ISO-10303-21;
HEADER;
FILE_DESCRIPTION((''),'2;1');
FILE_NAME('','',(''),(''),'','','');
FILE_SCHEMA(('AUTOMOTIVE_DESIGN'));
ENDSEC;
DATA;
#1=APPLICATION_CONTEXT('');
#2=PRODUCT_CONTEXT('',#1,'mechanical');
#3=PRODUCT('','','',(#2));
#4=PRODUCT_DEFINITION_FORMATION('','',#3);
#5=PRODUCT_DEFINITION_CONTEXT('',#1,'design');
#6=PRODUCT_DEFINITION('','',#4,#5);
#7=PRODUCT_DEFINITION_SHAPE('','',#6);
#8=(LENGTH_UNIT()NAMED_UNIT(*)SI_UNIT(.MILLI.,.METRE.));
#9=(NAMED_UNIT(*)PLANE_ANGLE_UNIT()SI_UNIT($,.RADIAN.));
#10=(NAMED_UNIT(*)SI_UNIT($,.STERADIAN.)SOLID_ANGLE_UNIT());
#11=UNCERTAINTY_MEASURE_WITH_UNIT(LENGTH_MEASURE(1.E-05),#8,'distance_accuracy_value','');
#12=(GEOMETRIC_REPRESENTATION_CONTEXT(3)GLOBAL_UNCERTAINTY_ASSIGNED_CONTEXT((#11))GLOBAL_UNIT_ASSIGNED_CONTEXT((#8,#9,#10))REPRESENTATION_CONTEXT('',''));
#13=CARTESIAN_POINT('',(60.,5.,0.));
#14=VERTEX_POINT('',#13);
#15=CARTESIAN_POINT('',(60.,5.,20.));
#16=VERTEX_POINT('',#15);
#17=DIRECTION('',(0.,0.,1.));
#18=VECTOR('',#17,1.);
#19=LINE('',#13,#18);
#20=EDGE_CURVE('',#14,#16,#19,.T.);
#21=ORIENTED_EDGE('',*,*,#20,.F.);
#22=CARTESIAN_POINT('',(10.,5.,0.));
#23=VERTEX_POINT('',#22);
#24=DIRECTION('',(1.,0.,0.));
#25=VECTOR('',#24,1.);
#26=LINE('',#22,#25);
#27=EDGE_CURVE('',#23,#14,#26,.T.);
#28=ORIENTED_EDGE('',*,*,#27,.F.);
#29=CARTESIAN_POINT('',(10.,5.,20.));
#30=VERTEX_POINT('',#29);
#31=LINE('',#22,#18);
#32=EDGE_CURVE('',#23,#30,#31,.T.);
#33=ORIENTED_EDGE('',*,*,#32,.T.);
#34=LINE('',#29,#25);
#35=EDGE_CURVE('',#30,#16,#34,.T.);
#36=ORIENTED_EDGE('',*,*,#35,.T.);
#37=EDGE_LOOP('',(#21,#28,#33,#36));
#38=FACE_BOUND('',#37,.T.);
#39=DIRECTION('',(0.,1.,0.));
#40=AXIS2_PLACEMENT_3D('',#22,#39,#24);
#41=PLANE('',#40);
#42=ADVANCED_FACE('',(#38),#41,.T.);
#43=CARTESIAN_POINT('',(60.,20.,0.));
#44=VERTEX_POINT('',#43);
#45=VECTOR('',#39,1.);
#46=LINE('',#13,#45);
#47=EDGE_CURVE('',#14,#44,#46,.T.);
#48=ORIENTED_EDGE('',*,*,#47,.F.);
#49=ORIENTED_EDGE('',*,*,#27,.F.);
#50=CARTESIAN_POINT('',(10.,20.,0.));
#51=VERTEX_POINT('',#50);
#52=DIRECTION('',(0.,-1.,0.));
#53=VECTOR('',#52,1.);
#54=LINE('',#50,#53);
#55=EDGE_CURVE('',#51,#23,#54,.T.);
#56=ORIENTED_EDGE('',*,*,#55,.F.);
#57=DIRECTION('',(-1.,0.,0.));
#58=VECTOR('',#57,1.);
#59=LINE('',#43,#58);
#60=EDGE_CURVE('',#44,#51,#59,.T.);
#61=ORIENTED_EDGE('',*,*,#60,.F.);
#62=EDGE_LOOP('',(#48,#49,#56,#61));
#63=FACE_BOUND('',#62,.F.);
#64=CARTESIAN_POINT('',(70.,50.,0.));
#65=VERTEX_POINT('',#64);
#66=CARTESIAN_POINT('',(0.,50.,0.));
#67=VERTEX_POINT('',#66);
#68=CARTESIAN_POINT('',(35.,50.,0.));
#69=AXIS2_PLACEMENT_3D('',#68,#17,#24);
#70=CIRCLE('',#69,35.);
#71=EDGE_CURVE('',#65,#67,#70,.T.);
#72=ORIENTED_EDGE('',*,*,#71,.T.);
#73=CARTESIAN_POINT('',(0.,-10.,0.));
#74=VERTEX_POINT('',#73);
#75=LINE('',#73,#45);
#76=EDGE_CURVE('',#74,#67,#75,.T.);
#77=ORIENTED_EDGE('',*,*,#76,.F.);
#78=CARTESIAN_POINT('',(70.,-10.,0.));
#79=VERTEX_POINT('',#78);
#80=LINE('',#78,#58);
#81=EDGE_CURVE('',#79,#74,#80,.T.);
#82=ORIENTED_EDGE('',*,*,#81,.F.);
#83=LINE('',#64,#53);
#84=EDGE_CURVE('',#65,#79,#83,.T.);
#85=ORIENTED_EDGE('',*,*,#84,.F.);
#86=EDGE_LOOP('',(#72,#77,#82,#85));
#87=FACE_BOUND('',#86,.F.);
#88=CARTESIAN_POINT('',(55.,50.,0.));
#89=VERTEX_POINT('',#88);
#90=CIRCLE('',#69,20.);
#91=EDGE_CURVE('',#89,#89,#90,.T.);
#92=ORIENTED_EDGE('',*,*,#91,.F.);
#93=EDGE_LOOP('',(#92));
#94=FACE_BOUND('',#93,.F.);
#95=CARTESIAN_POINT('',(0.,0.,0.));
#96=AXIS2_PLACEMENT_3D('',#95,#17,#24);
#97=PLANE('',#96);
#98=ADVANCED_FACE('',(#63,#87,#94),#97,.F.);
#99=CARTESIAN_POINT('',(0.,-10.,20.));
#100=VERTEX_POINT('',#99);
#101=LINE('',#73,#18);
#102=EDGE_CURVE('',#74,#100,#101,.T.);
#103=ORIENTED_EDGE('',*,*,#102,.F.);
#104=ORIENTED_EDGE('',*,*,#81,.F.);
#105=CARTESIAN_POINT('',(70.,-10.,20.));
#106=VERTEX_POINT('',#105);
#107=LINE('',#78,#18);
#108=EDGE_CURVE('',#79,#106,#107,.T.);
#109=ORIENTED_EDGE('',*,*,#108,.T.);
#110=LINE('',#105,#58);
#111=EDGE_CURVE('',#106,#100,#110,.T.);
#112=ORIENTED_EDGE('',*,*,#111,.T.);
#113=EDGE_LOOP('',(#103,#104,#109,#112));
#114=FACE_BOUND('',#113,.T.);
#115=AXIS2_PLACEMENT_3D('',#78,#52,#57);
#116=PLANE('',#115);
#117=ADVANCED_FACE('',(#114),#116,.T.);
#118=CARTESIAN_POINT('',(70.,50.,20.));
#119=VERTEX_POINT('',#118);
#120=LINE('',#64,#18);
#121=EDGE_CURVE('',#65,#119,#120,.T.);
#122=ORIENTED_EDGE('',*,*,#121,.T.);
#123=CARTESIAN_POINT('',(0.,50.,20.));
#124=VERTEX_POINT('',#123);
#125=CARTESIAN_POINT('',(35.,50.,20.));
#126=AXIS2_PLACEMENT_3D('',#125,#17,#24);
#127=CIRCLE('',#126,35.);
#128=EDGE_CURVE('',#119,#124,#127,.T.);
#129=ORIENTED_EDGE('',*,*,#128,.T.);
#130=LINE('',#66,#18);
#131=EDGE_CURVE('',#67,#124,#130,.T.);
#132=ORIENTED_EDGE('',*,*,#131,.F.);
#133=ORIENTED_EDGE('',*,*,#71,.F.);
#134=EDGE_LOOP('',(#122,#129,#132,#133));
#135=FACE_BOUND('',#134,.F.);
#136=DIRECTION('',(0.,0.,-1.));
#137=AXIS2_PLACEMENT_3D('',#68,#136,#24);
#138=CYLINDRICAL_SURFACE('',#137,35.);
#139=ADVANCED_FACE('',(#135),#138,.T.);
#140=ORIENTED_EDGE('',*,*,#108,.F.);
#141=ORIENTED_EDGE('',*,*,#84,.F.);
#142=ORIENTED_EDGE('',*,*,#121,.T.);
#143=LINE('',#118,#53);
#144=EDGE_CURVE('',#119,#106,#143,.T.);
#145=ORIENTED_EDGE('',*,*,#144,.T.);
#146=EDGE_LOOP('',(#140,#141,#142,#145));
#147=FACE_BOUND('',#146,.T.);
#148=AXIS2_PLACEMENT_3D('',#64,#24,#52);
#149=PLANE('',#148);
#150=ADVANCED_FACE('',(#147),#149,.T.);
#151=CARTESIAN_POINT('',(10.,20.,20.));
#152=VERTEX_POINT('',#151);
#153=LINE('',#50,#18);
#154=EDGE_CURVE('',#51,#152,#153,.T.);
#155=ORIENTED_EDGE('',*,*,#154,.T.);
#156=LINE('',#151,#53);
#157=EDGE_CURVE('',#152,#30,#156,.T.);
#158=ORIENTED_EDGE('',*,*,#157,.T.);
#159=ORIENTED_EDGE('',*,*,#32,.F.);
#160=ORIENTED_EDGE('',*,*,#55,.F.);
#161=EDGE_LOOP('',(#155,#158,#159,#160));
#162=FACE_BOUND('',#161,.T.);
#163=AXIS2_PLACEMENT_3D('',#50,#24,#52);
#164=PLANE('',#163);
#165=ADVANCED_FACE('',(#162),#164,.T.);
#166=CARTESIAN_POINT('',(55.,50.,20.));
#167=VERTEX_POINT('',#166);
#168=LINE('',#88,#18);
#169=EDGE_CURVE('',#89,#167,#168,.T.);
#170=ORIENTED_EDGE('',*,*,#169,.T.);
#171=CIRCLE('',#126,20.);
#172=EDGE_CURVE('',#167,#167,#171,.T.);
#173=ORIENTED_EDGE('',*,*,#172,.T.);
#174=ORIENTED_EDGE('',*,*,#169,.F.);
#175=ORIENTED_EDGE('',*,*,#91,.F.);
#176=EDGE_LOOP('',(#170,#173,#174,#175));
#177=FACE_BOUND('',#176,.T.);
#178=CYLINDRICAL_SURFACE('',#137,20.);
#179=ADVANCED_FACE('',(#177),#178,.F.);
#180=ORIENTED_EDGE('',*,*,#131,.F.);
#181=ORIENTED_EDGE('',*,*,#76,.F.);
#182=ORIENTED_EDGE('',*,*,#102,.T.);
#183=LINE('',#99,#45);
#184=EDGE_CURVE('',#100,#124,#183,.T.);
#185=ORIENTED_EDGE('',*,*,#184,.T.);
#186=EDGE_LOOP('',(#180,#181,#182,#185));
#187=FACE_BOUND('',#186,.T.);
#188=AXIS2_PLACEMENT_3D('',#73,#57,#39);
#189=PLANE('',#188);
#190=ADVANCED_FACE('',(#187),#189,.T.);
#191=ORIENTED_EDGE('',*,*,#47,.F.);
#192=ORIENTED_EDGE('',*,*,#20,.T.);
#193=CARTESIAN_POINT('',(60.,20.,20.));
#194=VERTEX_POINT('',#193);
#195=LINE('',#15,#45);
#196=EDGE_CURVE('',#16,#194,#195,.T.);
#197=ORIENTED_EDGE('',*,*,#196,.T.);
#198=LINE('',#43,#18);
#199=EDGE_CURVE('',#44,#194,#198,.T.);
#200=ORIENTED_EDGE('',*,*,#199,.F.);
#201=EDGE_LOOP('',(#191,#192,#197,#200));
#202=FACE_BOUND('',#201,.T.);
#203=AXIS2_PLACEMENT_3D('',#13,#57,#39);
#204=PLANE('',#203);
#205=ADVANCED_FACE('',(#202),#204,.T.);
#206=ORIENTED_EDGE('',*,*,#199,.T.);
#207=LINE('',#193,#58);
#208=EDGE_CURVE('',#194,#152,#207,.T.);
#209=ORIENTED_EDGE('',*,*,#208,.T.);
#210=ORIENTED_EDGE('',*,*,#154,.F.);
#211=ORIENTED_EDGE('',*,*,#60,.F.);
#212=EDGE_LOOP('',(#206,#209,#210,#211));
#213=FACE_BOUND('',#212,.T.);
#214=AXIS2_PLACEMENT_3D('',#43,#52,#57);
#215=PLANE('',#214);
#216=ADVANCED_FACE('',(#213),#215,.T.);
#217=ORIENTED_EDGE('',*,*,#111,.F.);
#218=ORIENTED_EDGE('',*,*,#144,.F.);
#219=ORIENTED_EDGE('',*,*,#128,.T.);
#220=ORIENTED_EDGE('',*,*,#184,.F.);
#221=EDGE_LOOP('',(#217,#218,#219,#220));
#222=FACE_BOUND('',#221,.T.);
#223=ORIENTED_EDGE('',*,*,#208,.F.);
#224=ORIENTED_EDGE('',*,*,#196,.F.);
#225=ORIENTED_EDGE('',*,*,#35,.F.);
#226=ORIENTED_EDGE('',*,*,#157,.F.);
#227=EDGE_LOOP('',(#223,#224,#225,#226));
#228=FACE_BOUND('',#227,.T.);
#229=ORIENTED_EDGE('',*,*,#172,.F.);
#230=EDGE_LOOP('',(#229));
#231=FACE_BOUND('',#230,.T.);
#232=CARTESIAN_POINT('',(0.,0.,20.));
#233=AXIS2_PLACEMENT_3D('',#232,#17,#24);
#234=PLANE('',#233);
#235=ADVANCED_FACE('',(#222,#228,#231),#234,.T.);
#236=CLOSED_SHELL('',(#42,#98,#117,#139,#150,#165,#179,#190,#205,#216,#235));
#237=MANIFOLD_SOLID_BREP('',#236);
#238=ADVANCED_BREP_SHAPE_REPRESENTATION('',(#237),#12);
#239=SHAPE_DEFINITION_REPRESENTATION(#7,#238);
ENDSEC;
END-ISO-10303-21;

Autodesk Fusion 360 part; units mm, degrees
sketch "Sketch1" plane through (0, 0, 0) normal (0, 0, 1) x (1, 0, 0)
  line L0 (70, 50) -> (70, -10)
  line L1 (70, -10) -> (0, -10)
  line L2 (0, -10) -> (0, 50)
  circle A0 centre (35, 50) radius 20
  arc A1 (70, 50) -> (0, 50) centre (35, 50) ccw
  line L3 (10, 5) -> (60, 5)
  line L4 (60, 5) -> (60, 20)
  line L5 (60, 20) -> (10, 20)
  line L6 (10, 20) -> (10, 5)
  dimension "d1" = 40
extrude "Extrude1" add sketch "Sketch1" along normal blind 20
